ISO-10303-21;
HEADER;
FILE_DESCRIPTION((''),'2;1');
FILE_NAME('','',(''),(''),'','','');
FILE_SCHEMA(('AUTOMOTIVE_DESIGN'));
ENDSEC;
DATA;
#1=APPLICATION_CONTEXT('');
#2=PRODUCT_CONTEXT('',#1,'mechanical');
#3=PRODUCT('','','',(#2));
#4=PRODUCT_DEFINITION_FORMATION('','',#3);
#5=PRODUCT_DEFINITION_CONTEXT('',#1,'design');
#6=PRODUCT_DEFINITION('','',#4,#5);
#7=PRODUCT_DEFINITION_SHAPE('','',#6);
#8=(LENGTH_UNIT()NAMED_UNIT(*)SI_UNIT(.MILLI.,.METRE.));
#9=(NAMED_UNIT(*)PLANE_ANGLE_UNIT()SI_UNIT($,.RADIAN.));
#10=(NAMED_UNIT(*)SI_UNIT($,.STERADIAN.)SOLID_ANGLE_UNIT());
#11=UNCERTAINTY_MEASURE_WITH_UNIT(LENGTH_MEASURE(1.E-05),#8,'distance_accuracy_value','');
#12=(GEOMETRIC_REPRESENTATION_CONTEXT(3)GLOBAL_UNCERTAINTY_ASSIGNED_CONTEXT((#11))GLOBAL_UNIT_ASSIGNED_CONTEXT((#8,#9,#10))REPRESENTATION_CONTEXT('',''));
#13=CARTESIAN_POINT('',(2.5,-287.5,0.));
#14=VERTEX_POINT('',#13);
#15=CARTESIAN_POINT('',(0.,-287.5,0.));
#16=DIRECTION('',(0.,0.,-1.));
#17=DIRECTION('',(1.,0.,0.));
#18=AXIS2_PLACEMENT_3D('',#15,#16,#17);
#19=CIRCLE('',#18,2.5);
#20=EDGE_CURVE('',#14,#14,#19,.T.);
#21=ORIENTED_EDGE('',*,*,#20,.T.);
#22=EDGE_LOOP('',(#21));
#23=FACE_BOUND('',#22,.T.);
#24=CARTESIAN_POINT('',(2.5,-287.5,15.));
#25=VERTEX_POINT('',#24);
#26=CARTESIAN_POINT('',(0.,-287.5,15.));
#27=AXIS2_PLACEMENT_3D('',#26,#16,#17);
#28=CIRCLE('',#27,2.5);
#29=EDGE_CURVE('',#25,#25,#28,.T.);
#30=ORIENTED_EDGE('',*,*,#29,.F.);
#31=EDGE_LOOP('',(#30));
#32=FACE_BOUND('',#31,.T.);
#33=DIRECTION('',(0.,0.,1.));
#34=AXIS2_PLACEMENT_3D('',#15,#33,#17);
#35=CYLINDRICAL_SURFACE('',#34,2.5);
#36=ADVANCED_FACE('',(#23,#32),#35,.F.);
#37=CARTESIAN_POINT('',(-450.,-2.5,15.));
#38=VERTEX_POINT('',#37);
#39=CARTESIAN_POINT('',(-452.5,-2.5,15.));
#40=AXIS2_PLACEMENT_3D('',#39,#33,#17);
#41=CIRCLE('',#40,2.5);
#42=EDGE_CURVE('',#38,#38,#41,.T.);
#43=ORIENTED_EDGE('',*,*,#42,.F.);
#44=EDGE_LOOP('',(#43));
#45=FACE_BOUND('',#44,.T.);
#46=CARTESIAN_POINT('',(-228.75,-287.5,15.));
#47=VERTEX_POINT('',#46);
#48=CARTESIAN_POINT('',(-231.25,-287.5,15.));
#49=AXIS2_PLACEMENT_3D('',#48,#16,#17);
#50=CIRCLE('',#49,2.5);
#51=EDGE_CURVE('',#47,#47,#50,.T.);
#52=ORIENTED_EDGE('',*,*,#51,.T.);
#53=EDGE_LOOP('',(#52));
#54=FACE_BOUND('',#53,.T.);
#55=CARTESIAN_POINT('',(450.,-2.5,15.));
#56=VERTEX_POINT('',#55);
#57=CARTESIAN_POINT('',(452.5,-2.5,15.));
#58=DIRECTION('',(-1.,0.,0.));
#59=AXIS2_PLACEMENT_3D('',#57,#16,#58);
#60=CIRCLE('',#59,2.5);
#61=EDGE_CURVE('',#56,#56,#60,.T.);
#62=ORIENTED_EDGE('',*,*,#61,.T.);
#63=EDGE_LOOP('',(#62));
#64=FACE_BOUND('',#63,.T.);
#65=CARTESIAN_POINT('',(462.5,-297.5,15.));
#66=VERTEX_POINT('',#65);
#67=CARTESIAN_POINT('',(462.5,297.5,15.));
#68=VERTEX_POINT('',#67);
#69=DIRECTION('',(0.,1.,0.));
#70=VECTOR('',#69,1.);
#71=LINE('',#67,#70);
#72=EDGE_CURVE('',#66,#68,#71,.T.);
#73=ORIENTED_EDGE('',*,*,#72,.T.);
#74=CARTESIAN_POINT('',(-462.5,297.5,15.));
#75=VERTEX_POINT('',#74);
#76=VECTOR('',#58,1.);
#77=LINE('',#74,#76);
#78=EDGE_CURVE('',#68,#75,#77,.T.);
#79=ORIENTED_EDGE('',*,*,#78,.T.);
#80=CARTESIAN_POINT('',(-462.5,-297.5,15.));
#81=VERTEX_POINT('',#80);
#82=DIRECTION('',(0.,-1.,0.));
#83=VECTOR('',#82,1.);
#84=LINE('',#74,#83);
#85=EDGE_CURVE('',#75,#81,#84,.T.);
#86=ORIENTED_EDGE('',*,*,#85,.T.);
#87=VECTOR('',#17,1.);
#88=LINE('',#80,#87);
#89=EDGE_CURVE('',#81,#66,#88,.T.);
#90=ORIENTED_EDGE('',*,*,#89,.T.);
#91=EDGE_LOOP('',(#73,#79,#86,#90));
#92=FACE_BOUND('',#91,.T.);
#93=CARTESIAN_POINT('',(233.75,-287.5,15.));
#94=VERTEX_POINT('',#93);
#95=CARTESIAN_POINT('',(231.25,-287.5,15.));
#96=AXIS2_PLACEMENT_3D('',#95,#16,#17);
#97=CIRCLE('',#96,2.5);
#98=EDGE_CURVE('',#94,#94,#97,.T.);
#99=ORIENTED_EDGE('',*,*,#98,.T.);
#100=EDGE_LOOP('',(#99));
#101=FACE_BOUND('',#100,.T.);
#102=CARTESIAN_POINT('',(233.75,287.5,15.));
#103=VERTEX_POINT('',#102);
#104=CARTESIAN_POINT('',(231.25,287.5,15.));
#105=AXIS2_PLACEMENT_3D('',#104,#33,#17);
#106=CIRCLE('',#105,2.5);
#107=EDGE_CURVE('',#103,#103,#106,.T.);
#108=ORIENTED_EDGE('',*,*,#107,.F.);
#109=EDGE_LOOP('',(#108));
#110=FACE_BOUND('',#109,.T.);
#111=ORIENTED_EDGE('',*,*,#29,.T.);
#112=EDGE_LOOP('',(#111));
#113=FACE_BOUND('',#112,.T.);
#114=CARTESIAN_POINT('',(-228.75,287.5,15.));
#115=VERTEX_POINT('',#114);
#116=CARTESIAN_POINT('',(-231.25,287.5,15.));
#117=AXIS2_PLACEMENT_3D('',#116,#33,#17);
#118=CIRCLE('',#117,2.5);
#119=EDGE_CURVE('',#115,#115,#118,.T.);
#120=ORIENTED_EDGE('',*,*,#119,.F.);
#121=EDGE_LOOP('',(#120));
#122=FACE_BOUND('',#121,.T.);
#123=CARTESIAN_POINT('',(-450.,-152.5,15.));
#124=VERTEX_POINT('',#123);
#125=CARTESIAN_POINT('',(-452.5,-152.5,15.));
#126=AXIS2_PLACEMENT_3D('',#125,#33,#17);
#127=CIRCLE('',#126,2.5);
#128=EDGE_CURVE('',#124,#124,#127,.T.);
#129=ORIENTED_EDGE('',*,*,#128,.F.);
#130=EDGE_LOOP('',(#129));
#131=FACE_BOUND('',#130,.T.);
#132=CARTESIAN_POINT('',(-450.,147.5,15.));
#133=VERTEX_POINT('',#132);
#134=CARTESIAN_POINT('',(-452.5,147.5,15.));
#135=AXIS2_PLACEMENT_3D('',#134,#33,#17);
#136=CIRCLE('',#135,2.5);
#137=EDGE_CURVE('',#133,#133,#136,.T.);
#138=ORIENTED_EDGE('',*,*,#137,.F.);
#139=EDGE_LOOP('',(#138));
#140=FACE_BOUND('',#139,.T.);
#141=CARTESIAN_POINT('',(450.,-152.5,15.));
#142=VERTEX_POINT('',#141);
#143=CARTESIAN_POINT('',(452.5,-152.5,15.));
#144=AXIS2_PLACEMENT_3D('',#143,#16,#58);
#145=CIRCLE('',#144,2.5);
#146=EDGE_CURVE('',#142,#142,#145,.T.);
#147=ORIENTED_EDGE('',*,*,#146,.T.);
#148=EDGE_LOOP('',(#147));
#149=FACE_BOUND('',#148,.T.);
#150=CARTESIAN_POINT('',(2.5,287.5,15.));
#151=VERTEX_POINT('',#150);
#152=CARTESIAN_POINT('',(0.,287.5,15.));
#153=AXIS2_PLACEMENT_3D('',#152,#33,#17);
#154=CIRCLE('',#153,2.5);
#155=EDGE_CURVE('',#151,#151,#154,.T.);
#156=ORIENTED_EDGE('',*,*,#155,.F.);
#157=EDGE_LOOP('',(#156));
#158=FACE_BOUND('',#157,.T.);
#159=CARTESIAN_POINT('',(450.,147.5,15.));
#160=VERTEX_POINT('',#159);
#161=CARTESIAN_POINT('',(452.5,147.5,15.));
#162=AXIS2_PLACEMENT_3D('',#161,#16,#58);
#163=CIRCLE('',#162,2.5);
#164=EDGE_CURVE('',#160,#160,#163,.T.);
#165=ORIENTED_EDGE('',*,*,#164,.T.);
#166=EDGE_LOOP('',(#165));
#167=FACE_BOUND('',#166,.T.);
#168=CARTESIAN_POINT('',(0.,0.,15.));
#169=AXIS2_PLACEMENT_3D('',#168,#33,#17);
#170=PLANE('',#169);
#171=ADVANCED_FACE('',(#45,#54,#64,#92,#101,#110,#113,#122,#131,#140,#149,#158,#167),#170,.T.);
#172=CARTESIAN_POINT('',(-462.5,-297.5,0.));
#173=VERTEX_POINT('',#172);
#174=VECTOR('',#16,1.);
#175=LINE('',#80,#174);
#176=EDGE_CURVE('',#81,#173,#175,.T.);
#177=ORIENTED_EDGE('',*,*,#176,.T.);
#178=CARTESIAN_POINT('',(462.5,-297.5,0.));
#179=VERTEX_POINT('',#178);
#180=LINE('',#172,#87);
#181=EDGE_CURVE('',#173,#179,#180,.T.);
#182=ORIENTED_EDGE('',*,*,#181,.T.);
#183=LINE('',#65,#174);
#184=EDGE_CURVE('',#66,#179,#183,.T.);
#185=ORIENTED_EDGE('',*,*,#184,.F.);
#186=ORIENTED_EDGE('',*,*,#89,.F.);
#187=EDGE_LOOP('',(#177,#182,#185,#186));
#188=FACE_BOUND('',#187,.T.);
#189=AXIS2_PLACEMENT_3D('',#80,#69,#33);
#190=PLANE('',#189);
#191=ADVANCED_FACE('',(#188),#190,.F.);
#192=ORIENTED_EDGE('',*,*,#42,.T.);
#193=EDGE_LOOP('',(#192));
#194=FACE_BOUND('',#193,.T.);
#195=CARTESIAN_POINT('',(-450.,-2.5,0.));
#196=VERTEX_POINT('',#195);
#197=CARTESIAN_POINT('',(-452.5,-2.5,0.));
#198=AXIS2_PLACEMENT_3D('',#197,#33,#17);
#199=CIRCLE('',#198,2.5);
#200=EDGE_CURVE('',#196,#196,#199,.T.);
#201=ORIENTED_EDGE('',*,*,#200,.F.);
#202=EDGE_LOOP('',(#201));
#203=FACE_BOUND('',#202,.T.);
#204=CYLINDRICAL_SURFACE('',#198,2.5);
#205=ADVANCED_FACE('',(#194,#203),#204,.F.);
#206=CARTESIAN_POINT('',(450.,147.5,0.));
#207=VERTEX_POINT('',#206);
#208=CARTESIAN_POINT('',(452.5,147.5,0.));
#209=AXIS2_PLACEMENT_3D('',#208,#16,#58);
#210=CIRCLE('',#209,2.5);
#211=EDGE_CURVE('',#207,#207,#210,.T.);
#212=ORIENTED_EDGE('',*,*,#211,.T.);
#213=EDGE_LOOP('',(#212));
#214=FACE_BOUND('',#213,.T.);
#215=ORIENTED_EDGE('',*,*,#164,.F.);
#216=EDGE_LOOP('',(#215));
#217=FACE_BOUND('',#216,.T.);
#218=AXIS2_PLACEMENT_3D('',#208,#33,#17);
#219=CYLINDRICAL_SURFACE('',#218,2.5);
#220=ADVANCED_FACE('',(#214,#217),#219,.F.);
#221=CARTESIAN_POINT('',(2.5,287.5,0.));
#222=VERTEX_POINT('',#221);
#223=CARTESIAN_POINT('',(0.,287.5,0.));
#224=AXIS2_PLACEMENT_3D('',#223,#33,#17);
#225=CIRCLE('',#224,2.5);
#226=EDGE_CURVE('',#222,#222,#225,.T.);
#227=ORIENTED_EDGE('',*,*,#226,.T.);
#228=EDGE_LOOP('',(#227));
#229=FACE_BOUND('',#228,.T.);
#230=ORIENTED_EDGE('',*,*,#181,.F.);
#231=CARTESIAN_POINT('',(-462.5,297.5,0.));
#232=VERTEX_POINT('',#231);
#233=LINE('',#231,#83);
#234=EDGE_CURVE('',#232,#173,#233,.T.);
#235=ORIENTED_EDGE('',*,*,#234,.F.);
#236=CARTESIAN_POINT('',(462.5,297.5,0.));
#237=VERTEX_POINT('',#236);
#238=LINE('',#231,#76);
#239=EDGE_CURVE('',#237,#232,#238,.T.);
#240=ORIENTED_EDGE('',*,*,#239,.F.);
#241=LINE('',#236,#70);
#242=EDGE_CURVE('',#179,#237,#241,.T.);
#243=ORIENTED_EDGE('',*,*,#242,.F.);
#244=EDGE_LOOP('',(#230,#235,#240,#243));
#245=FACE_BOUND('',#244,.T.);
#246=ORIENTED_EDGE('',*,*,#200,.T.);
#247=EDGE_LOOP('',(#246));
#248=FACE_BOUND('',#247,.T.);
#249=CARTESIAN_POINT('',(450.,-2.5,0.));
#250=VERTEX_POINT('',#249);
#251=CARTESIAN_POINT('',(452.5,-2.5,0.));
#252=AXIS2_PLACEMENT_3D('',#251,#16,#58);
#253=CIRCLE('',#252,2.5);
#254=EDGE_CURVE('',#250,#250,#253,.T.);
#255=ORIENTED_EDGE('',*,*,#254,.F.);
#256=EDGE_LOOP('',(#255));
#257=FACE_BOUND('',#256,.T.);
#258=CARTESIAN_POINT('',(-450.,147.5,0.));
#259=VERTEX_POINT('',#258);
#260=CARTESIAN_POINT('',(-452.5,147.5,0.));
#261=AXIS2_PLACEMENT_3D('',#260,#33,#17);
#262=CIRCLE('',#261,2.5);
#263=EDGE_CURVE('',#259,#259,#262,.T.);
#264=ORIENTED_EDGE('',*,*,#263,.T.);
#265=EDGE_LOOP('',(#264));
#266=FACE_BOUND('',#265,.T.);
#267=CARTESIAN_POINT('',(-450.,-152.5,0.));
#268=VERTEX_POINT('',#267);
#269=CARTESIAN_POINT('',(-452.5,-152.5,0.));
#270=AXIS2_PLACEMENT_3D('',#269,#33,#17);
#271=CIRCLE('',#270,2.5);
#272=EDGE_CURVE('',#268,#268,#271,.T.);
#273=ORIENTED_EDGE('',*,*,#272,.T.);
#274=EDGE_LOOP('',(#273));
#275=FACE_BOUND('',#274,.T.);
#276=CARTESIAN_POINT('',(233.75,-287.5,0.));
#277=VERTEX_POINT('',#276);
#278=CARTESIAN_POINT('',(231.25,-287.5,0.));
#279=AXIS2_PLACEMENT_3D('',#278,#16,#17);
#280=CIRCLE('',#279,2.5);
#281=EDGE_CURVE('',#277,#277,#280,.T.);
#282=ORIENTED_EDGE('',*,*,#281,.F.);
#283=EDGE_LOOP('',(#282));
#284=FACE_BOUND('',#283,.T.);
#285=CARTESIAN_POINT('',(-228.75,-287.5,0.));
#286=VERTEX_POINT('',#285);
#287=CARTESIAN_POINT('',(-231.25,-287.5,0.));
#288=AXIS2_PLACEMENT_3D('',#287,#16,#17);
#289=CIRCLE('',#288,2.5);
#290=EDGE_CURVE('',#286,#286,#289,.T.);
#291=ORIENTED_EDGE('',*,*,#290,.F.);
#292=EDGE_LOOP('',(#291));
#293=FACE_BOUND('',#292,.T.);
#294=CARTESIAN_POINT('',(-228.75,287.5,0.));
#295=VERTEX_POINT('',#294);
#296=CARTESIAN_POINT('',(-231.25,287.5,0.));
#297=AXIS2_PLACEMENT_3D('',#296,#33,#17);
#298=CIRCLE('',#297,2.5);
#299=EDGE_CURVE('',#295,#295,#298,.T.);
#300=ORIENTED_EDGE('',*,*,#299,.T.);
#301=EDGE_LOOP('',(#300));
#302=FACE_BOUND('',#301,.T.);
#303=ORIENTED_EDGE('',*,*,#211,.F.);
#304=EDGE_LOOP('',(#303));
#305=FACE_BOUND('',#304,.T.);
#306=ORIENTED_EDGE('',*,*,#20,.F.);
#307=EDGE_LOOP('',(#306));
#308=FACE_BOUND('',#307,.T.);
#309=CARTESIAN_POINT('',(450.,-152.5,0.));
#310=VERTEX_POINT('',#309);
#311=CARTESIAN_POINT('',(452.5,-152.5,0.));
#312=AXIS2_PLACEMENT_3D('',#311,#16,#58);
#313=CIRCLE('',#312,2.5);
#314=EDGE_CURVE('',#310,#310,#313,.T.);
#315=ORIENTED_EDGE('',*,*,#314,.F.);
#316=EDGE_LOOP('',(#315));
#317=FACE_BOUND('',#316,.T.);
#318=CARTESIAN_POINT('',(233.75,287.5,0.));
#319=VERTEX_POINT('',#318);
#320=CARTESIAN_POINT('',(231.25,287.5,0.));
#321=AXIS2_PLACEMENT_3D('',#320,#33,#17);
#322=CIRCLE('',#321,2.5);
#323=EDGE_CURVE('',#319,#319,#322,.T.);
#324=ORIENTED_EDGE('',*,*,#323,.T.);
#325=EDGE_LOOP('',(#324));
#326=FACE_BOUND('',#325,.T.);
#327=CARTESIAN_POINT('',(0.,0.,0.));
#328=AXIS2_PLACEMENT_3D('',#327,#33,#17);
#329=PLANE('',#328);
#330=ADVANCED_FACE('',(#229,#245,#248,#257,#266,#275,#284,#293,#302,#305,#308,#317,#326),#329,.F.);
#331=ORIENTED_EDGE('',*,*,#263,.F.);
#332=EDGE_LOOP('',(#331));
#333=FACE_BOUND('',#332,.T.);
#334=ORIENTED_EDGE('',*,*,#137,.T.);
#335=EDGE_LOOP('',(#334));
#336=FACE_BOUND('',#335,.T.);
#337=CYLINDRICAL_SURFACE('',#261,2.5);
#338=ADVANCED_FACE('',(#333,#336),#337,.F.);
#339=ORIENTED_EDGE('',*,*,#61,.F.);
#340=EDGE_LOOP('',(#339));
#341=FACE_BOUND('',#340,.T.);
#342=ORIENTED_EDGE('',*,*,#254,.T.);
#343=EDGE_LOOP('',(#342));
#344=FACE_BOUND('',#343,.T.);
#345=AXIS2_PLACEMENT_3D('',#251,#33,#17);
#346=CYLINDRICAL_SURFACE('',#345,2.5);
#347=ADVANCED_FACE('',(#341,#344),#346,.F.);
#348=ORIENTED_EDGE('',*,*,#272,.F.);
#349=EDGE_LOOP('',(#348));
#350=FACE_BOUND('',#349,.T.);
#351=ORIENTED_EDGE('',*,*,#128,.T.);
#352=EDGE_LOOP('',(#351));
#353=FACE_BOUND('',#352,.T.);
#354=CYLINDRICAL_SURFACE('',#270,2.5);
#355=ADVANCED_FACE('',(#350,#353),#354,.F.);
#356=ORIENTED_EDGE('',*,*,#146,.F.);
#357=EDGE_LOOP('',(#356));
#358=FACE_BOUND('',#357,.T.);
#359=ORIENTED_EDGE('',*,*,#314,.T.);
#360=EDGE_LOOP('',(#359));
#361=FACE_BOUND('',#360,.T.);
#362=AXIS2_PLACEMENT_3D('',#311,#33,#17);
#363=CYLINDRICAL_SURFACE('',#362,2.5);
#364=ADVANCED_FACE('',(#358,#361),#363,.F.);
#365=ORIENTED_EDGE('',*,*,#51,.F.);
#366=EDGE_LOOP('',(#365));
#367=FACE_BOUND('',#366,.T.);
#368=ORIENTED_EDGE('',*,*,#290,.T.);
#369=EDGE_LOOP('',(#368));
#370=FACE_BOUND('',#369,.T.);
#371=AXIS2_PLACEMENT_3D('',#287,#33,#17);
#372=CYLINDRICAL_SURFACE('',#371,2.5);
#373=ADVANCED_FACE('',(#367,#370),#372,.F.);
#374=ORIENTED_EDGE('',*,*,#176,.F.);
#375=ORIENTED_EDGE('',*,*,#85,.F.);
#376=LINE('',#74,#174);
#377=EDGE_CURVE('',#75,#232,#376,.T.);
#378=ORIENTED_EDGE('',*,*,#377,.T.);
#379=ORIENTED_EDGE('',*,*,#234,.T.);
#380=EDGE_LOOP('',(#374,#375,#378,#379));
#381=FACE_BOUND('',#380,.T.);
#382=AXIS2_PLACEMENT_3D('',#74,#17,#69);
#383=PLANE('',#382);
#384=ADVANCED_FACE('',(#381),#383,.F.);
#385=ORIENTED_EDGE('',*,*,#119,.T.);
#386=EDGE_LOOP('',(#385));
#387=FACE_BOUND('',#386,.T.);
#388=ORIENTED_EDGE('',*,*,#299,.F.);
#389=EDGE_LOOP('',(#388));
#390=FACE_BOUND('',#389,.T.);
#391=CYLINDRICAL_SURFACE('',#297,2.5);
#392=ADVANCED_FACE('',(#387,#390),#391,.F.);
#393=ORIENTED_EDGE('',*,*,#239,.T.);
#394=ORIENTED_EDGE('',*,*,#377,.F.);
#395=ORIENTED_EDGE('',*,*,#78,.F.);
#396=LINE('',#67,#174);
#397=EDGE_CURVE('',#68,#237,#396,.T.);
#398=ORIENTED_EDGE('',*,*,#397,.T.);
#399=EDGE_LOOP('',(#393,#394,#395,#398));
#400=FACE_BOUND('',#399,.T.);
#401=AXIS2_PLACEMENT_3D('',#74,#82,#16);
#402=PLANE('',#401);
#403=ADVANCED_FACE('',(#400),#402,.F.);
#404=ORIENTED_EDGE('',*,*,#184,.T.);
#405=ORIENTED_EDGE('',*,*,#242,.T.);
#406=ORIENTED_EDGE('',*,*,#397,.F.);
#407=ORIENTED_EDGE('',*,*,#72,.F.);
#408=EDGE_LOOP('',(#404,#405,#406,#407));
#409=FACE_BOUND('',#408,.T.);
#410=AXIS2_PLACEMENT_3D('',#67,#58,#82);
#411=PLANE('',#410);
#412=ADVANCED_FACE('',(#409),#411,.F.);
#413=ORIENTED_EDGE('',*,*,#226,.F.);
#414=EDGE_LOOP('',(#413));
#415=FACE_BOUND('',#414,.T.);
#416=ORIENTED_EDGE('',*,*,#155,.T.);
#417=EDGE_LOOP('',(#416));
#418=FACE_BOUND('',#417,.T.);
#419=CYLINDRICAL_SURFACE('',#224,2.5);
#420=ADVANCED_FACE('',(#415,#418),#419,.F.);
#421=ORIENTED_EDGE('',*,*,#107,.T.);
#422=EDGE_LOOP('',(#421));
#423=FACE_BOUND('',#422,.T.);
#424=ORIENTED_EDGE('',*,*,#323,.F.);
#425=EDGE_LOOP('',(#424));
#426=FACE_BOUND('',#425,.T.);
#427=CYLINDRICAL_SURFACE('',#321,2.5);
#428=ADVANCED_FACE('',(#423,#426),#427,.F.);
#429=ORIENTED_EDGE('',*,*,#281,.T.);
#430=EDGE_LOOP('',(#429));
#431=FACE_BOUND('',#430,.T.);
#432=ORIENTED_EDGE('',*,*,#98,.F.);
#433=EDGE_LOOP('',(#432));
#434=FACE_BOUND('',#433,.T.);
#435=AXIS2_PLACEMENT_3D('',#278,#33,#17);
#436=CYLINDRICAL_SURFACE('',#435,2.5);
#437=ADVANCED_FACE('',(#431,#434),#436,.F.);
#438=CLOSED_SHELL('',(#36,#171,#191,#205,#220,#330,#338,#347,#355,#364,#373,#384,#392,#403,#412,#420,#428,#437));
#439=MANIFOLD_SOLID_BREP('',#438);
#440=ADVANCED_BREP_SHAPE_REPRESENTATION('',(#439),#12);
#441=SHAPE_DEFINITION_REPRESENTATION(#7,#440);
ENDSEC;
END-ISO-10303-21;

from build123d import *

# Parameters (mm, degrees)
SKETCH_1_W          = 925
SKETCH_1_H          = 595
EXTRUDE_1_DEPTH     = 15
SKETCH_2_R          = 2.5
CUT_EXTRUDE_1_DEPTH = 16
SKETCH_2_3_R        = 2.5
CUT_EXTRUDE_2_DEPTH = 16


with BuildPart() as part:
    # ｽｹｯﾁ1 → ﾎﾞｽ - 押し出し1 (new body)
    with BuildSketch(Plane.XY):
        Rectangle(SKETCH_1_W, SKETCH_1_H)
    extrude(amount=EXTRUDE_1_DEPTH)

    # ｽｹｯﾁ2 → ｶｯﾄ - 押し出し1 (cut, through all)
    with BuildSketch(Plane.XY.offset(15)):
        with Locations((-231.25, 287.5)):
            Circle(SKETCH_2_R)
        with Locations((0, 287.5)):
            Circle(SKETCH_2_R)
        with Locations((231.25, 287.5)):
            Circle(SKETCH_2_R)
    cut_extrude_1 = extrude(amount=-CUT_EXTRUDE_1_DEPTH, mode=Mode.SUBTRACT)

    # ｽｹｯﾁ2<3> → ｶｯﾄ - 押し出し2 (cut, through all)
    with BuildSketch(Plane.XY.offset(15)):
        with Locations((-452.5, 147.5)):
            Circle(SKETCH_2_3_R)
        with Locations((-452.5, -2.5)):
            Circle(SKETCH_2_3_R)
        with Locations((-452.5, -152.5)):
            Circle(SKETCH_2_3_R)
    cut_extrude_2 = extrude(amount=-CUT_EXTRUDE_2_DEPTH, mode=Mode.SUBTRACT)

    # ﾐﾗｰ1: ｶｯﾄ - 押し出し1 across plane
    add(cut_extrude_1.mirror(Plane.ZX), mode=Mode.SUBTRACT)

    # ﾐﾗｰ2: ｶｯﾄ - 押し出し2 across plane
    add(cut_extrude_2.mirror(Plane(origin=(0, 0, 0), x_dir=(0, 0, 1), z_dir=(1, 0, 0))), mode=Mode.SUBTRACT)


solid = part.part
